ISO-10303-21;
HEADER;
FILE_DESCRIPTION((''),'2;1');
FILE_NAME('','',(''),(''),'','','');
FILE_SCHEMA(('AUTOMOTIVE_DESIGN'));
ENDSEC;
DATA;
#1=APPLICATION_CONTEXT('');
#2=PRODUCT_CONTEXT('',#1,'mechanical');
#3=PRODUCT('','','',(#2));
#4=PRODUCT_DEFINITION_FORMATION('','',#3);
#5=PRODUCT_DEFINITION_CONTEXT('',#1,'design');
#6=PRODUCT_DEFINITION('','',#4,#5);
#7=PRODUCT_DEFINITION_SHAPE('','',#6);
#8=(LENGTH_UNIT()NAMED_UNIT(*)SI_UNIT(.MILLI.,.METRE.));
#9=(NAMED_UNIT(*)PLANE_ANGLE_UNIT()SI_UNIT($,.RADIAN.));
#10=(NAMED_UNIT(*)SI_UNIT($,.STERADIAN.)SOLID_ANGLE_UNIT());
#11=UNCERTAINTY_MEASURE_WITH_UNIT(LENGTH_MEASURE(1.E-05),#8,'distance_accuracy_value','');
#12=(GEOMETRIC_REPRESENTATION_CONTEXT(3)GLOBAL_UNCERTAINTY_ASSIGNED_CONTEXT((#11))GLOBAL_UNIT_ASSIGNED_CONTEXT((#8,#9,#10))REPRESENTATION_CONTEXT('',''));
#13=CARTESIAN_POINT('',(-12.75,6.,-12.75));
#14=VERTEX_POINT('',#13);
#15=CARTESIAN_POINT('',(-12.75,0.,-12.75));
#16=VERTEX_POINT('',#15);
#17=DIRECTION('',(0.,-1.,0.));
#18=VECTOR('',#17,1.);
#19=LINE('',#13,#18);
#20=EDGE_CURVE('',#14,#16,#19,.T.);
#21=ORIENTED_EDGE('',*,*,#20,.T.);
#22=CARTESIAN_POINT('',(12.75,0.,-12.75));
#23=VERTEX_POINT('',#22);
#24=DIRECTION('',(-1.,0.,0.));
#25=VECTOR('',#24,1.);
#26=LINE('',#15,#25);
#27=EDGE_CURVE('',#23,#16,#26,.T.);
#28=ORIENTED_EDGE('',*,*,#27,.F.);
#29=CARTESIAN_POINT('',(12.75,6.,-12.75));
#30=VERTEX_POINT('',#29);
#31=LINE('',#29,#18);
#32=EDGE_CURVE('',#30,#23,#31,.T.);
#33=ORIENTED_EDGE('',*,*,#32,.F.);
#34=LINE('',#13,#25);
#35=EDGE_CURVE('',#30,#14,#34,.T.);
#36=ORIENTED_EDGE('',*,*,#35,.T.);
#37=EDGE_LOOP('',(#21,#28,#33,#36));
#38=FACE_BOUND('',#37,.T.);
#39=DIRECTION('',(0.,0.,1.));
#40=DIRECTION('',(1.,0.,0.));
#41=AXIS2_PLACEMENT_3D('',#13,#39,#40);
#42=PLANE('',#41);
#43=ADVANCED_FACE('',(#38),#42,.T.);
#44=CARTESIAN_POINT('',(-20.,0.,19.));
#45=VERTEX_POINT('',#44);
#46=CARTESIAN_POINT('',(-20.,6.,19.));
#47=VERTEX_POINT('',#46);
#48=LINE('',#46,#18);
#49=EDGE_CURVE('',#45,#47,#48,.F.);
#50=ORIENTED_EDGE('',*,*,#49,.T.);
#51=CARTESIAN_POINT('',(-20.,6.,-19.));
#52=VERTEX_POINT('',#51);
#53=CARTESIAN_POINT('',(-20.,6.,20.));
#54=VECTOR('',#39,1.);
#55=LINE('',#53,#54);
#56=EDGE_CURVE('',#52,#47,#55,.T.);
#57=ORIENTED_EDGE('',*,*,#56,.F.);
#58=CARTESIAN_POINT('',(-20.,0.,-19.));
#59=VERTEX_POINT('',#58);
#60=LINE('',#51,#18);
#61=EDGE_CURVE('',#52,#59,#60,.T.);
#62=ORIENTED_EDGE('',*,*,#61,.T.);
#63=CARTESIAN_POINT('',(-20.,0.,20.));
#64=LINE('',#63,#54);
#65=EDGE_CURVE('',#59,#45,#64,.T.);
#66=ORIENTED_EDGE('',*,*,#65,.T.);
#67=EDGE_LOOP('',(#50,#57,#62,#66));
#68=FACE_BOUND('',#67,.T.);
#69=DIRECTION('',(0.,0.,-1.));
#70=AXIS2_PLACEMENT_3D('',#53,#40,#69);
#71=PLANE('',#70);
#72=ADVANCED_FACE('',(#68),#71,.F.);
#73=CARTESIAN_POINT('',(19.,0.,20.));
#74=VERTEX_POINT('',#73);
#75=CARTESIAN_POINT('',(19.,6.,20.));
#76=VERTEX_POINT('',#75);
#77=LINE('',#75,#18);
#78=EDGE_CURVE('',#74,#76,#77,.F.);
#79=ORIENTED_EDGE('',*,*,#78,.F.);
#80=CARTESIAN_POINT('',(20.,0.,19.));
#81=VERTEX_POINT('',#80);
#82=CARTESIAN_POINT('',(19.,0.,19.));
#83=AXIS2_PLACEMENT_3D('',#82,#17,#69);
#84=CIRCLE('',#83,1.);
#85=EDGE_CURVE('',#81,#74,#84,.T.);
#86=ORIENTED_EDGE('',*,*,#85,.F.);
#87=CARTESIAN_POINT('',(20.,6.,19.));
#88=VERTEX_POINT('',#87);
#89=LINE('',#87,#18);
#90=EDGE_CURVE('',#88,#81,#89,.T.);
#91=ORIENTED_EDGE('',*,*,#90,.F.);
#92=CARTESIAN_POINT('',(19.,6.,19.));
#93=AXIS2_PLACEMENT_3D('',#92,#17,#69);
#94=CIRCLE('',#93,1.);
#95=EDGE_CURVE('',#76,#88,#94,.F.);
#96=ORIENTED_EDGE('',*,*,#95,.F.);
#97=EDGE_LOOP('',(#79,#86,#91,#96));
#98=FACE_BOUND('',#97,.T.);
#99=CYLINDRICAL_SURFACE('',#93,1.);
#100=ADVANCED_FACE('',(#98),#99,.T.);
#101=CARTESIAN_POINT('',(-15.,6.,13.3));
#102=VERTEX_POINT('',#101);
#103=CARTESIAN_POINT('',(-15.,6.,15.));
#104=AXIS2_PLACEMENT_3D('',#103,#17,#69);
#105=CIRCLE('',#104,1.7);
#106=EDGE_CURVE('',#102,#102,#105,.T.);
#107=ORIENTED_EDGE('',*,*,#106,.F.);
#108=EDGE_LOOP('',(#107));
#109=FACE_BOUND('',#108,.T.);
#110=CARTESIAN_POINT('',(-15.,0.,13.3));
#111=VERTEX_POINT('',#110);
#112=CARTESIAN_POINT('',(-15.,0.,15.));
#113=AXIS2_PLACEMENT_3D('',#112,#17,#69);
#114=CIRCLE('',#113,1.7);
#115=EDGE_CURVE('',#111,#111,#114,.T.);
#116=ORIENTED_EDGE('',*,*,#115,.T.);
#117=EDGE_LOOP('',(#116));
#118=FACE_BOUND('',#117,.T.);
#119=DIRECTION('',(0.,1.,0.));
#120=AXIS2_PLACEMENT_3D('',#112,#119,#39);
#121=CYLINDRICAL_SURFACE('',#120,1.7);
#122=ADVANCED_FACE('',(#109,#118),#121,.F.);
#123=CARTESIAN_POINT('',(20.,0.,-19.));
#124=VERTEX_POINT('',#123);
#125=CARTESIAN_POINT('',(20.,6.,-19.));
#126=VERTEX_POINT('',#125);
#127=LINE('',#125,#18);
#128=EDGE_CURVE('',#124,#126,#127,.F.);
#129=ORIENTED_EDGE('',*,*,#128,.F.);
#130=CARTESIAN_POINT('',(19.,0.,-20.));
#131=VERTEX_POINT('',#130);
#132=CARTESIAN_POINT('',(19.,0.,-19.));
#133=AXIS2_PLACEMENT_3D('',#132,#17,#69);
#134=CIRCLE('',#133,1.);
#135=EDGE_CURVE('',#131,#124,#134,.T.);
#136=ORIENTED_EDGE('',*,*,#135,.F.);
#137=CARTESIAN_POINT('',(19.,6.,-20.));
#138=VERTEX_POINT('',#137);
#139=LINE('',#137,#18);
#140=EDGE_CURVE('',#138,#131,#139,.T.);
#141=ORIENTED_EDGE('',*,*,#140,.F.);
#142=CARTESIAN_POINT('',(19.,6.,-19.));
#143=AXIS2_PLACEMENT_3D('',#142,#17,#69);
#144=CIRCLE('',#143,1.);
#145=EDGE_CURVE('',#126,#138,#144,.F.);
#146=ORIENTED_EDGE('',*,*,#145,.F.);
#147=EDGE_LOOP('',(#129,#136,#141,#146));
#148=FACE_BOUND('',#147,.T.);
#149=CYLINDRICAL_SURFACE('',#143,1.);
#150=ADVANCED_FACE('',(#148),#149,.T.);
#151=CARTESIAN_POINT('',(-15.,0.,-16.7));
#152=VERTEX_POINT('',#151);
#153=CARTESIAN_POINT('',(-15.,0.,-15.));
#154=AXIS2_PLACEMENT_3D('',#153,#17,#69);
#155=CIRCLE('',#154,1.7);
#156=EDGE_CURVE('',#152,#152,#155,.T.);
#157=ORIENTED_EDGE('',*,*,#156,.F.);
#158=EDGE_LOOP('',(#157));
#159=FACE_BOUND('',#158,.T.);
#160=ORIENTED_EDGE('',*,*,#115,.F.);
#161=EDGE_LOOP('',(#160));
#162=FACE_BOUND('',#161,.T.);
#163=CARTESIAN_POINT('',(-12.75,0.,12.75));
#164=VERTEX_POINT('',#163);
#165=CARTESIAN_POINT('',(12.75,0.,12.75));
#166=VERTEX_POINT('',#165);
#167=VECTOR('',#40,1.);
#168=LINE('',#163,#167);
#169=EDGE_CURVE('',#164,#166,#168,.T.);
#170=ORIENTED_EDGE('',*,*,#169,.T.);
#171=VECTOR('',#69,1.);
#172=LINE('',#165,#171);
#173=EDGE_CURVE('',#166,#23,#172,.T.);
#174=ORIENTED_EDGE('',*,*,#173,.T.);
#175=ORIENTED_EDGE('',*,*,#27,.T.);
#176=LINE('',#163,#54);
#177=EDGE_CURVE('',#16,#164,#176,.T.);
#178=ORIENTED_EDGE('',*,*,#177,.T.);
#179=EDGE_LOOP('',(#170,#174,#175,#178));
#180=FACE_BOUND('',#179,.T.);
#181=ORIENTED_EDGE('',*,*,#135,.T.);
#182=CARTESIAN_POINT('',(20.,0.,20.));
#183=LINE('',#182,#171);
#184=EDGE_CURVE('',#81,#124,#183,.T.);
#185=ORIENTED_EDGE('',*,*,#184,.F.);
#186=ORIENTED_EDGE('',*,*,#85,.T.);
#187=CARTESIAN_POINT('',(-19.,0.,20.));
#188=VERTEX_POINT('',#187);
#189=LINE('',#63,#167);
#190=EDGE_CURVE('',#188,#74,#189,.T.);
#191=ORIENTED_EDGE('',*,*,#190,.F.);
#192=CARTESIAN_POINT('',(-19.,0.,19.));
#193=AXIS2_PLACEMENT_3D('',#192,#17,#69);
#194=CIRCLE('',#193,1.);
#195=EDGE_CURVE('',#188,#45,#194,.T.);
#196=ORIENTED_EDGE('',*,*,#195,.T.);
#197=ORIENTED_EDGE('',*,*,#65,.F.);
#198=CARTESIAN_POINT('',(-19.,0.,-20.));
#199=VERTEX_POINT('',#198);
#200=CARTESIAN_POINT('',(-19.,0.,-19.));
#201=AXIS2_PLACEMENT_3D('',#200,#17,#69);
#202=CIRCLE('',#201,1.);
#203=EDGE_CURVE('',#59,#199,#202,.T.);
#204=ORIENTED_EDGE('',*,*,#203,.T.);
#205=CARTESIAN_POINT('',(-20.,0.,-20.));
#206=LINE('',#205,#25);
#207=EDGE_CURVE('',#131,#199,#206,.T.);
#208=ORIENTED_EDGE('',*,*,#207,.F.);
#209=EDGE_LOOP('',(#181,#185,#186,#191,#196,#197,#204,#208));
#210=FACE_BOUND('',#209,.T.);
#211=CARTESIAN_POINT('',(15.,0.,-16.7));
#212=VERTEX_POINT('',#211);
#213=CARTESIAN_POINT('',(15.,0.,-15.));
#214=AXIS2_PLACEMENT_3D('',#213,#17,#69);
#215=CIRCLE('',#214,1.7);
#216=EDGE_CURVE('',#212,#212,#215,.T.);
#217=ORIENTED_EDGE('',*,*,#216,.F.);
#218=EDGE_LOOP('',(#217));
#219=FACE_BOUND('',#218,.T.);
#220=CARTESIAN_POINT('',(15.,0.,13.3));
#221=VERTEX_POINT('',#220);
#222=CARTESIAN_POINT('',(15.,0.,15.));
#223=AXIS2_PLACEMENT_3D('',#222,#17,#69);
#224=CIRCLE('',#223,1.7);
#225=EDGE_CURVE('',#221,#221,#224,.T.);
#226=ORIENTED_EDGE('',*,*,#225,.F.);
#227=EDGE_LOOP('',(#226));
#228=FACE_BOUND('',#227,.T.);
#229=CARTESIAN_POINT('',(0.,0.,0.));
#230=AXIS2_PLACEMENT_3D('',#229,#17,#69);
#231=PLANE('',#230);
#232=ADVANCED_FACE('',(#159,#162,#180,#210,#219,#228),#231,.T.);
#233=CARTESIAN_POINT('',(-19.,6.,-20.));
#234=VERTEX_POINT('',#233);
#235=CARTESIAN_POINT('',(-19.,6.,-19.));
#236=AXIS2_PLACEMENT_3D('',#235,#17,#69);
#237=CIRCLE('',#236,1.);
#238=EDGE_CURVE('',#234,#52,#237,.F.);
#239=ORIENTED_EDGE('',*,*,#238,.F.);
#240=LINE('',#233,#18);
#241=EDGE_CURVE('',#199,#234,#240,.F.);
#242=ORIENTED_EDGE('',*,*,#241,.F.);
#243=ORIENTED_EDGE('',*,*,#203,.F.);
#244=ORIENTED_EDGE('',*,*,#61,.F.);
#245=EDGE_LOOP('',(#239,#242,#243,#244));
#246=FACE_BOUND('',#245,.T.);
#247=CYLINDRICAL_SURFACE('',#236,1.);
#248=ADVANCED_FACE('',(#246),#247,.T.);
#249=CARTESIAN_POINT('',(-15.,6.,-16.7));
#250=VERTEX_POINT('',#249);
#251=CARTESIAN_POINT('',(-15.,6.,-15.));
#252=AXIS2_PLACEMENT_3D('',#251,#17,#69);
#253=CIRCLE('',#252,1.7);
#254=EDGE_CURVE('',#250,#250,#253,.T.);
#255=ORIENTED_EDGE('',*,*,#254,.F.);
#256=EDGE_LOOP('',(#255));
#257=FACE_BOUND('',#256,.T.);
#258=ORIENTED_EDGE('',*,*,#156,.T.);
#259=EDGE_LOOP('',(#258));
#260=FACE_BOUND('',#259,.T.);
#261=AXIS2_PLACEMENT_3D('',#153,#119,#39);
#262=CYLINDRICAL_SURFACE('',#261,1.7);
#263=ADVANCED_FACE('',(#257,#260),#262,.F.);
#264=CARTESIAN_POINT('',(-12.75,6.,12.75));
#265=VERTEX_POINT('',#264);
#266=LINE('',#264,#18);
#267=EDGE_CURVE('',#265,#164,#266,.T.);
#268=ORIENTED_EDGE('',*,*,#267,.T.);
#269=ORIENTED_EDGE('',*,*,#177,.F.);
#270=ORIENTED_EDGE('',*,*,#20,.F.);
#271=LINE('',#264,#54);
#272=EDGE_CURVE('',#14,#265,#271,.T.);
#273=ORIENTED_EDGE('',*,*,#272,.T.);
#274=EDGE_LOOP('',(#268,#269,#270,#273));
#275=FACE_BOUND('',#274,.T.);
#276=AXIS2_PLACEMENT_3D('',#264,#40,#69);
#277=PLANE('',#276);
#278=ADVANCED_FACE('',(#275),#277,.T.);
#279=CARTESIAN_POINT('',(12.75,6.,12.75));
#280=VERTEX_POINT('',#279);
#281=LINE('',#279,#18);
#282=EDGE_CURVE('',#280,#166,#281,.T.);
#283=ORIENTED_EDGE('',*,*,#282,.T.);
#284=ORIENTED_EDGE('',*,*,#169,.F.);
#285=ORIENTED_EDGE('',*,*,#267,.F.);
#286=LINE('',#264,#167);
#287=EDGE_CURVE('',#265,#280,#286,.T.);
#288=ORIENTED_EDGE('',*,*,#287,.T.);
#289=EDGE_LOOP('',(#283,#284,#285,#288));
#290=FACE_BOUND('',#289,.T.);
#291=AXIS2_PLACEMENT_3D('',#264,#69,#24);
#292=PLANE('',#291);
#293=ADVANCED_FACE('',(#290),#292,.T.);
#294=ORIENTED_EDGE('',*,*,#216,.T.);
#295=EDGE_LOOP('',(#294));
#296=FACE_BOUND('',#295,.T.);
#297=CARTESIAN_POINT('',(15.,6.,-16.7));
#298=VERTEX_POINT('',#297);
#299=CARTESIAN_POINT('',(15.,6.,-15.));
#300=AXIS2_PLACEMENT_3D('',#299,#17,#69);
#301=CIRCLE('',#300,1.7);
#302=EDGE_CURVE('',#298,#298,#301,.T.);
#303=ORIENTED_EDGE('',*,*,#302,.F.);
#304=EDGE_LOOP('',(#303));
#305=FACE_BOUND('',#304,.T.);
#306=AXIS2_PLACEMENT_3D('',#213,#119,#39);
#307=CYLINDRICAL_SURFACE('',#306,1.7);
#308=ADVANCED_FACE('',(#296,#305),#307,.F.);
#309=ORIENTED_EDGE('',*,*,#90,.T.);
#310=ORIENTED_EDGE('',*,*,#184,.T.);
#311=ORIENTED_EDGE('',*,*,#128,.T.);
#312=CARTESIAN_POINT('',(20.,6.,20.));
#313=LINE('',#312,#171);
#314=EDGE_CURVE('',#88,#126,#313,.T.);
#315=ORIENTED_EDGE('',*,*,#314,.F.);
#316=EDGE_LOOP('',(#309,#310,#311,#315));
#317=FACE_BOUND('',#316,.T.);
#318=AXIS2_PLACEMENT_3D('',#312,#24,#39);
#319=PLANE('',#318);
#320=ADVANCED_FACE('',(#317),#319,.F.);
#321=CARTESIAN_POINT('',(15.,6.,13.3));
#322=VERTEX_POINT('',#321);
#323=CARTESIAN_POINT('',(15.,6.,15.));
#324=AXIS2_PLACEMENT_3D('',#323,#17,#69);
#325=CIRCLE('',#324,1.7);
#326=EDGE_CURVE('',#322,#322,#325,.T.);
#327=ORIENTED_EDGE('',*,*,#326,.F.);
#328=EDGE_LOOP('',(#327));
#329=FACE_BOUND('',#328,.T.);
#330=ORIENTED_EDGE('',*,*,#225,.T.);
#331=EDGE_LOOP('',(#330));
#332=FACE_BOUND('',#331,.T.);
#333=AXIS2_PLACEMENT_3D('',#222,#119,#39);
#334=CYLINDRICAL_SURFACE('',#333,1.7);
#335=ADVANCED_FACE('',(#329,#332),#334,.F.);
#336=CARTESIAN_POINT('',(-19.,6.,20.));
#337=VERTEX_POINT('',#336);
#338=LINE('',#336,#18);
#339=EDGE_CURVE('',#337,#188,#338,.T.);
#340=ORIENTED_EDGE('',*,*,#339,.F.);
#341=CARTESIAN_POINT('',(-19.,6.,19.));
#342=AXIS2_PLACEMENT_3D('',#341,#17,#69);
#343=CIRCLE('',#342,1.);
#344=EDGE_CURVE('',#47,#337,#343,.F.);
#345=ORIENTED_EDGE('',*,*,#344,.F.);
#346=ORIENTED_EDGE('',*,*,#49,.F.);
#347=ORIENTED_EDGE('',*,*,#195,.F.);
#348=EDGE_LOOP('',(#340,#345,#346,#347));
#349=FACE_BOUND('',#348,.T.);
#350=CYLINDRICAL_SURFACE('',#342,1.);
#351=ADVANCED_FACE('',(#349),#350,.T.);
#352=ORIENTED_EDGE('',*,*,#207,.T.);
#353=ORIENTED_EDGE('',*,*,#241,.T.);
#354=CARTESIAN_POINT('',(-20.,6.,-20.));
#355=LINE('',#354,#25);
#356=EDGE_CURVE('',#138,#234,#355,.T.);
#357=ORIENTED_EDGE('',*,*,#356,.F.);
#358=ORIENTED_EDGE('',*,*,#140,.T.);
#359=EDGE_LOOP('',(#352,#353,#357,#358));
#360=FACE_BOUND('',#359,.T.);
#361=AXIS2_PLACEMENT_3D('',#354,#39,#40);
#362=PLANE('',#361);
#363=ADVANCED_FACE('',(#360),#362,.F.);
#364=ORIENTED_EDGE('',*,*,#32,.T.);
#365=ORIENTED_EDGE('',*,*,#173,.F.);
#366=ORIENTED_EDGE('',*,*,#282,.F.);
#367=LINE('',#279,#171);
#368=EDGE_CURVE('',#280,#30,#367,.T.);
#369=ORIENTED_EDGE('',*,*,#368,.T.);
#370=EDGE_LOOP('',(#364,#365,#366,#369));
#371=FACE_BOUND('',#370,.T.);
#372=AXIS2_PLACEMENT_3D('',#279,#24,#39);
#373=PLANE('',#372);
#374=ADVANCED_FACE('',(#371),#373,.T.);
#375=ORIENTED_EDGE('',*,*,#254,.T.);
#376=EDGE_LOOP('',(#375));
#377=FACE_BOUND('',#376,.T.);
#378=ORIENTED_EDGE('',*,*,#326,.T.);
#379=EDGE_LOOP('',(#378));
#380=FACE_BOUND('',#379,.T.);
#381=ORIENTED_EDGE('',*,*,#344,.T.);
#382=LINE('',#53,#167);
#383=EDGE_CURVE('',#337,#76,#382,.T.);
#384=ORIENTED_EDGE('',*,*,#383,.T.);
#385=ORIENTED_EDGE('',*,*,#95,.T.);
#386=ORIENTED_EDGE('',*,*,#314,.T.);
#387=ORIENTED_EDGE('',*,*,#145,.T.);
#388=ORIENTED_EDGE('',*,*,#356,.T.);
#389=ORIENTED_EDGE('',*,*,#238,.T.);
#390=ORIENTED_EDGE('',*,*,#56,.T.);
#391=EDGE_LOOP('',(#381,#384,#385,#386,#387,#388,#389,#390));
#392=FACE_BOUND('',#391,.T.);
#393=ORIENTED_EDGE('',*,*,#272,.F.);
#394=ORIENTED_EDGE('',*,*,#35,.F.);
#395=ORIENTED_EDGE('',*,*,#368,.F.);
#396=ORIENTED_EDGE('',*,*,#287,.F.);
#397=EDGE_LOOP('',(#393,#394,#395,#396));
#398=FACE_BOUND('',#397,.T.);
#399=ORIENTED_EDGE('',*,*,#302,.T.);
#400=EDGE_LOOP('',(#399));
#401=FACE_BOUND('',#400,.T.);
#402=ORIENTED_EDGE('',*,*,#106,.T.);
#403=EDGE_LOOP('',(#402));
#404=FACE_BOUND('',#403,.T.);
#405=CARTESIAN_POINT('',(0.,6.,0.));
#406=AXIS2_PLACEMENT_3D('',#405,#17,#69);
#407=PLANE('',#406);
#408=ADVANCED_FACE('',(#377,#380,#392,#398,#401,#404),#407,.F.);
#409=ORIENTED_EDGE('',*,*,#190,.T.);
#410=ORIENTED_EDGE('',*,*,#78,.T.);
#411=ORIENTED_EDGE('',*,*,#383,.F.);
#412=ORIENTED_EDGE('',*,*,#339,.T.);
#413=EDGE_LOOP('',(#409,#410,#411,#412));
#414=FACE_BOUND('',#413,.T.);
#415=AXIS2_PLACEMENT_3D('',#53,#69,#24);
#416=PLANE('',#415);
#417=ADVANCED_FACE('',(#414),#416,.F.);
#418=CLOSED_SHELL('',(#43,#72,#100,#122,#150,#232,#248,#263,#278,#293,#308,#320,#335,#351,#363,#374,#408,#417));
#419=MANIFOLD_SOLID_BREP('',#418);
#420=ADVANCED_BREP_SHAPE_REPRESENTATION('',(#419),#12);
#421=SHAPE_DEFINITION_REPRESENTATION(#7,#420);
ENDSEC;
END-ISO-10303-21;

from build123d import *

# Parameters (mm, degrees)
SKETCH1_W           = 40
SKETCH1_H           = 40
SKETCH1_W_2         = 25.5
SKETCH1_H_2         = 25.5
BOSS_EXTRUDE1_DEPTH = 6
SKETCH5_R           = 1.7
CUT_EXTRUDE1_DEPTH  = 29.91366459
FILLET1_R           = 1


with BuildPart() as part:
    # Sketch1 → Boss-Extrude1 (new body)
    with BuildSketch(Plane(origin=(0, 0, 0), x_dir=(1, 0, 0), z_dir=(0, 1, 0))):
        Rectangle(SKETCH1_W, SKETCH1_H)
        Rectangle(SKETCH1_W_2, SKETCH1_H_2, mode=Mode.SUBTRACT)
    extrude(amount=BOSS_EXTRUDE1_DEPTH)

    # Sketch5 → Cut-Extrude1 (cut, through all)
    with BuildSketch(Plane.XZ.offset(-6)):
        with Locations(Location((-15, 15, 0), (0, 0, 270))):
            Circle(SKETCH5_R)
        with Locations(Location((-15, -15, 0), (0, 0, 270))):
            Circle(SKETCH5_R)
        with Locations(Location((15, -15, 0), (0, 0, 270))):
            Circle(SKETCH5_R)
        with Locations(Location((15, 15, 0), (0, 0, 270))):
            Circle(SKETCH5_R)
    extrude(amount=CUT_EXTRUDE1_DEPTH, mode=Mode.SUBTRACT)

    # Fillet1
    fillet1_edges = [part.edges().sort_by_distance(p)[0] for p in [
        (20, 3, 20),
        (-20, 3, 20),
        (-20, 3, -20),
        (20, 3, -20),
    ]]
    fillet(fillet1_edges, radius=FILLET1_R)


solid = part.part
